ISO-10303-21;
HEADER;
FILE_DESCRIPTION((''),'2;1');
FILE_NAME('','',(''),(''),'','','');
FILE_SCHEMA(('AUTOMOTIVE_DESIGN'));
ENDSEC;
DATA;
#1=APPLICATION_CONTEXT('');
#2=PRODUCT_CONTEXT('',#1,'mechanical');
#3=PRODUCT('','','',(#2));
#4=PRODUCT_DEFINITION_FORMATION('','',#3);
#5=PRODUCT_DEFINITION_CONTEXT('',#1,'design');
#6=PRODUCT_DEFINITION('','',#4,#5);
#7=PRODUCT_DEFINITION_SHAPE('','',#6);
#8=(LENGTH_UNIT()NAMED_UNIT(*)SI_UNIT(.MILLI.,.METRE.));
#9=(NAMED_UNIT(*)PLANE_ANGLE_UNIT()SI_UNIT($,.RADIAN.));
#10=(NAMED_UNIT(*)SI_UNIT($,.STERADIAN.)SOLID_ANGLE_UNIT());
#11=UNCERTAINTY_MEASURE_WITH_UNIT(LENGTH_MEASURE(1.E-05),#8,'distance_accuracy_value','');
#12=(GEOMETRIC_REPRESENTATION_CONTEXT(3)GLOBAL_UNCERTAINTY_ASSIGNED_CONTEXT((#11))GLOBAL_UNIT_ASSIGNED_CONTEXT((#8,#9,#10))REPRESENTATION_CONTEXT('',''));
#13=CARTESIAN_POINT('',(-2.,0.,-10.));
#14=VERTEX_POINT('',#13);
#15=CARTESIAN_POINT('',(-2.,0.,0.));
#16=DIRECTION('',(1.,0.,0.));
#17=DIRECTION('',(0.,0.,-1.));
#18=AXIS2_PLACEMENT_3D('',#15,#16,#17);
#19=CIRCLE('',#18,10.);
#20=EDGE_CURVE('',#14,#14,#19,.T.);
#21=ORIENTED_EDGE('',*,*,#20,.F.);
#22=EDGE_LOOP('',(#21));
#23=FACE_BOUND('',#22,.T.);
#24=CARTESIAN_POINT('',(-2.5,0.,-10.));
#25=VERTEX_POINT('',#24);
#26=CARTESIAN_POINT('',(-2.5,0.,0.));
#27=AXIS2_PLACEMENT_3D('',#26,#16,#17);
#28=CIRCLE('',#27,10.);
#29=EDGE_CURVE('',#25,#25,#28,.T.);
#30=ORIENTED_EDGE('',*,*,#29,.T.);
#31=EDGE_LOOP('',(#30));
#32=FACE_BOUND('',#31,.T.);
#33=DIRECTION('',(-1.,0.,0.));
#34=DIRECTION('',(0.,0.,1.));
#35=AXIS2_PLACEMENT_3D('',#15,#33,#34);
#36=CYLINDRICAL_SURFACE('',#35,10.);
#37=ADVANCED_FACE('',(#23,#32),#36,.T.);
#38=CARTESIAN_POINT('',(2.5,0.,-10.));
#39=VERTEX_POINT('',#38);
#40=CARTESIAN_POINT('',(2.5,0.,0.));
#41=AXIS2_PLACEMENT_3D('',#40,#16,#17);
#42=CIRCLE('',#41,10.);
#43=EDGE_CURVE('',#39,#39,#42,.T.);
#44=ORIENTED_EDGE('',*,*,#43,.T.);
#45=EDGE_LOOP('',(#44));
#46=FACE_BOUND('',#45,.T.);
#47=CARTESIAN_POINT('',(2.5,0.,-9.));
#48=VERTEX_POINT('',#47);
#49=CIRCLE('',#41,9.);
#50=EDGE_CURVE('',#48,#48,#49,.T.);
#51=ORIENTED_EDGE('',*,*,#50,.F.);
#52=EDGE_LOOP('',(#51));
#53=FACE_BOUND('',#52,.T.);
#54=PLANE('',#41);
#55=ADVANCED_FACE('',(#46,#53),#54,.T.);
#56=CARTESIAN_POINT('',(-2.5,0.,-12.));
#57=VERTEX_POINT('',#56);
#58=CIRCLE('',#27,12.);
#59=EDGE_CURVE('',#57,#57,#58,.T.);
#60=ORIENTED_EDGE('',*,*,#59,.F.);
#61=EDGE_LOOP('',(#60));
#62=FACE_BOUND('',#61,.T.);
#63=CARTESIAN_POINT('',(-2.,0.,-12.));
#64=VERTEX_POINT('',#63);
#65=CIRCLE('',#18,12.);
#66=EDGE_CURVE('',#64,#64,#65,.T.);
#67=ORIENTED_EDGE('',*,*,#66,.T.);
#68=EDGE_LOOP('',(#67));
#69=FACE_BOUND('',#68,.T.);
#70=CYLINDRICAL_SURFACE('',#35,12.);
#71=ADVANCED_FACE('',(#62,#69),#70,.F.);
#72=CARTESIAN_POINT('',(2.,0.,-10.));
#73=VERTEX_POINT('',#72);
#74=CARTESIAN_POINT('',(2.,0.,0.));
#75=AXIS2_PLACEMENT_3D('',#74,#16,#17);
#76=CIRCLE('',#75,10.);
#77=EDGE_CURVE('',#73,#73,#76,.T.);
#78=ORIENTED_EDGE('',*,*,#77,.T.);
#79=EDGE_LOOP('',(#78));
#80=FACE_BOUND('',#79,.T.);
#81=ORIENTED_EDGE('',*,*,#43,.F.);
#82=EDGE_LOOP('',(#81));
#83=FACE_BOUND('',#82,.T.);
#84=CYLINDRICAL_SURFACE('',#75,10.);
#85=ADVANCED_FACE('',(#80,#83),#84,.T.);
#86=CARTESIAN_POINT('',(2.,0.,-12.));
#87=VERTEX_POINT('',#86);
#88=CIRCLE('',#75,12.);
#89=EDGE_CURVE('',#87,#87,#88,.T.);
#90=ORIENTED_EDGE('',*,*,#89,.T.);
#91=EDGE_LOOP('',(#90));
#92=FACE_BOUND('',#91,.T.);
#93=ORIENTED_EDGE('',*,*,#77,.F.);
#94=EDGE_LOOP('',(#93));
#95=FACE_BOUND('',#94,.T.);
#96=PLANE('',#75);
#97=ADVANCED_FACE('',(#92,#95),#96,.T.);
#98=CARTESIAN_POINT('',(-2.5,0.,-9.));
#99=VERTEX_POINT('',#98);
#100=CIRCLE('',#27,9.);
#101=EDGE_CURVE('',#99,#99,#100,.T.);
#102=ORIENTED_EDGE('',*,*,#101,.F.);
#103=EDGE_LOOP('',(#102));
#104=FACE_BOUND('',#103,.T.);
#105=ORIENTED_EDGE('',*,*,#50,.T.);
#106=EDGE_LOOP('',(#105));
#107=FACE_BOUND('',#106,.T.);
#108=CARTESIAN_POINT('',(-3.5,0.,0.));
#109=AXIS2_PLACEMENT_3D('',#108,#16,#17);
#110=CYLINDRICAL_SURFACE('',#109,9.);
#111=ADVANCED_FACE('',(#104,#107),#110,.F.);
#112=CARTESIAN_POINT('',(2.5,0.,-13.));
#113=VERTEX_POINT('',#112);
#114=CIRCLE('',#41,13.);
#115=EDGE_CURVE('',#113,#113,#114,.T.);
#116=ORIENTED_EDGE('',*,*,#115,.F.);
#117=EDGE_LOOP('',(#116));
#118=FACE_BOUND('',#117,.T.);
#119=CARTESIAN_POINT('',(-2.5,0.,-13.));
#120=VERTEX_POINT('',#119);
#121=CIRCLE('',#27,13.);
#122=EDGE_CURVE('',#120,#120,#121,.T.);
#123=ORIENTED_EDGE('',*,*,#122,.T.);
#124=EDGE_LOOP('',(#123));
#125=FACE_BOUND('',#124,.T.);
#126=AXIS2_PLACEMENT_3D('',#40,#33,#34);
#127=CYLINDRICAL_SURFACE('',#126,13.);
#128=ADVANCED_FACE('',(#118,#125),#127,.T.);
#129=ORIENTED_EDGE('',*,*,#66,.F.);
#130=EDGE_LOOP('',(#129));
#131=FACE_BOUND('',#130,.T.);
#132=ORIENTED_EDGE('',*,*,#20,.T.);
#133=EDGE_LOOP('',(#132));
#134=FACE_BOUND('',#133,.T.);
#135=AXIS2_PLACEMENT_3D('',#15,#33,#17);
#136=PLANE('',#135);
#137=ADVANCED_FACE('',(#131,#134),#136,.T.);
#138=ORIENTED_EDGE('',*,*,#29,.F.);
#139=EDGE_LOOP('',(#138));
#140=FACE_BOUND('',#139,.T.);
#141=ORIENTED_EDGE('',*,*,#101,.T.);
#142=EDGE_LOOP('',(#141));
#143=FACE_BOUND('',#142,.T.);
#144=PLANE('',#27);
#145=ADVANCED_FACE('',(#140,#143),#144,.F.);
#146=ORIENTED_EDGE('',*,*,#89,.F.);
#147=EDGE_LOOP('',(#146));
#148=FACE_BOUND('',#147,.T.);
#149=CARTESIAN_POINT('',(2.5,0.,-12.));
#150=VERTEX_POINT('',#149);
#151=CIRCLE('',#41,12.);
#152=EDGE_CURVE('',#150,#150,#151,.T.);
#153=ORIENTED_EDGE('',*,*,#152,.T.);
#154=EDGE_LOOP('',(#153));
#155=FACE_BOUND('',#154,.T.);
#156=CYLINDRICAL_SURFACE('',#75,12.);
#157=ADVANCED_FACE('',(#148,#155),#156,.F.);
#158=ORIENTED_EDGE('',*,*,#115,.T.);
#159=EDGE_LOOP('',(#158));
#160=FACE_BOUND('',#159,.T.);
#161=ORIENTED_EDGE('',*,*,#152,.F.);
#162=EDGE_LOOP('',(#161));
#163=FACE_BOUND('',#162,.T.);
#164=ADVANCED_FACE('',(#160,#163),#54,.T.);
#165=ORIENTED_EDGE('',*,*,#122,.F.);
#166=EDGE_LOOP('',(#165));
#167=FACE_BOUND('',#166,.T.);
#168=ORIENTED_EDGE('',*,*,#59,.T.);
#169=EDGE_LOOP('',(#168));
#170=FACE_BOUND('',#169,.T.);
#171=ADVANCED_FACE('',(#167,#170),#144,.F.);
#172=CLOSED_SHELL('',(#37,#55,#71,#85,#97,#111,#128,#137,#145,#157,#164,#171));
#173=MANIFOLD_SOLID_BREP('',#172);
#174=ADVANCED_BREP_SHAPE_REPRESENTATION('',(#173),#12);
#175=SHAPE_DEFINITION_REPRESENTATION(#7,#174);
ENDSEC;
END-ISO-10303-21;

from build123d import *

# Parameters (mm, degrees)
SKETCH2_R           = 13
BOSS_EXTRUDE1_DEPTH = 2.5
SKETCH3_R           = 9
CUT_EXTRUDE1_DEPTH  = 6
SKETCH4_R           = 12
SKETCH4_R_2         = 11
SKETCH4_R_3         = 10
CUT_EXTRUDE2_DEPTH  = 0.5


with BuildPart() as part:
    # Sketch2 → Boss-Extrude1 (new, symmetric)
    with BuildSketch(Plane(origin=(0, 0, 0), x_dir=(0, 0, -1), z_dir=(1, 0, 0))):
        Circle(SKETCH2_R)
    extrude(amount=BOSS_EXTRUDE1_DEPTH, both=True)

    # Sketch3 → Cut-Extrude1 (cut)
    with BuildSketch(Plane(origin=(2.5, 0, 0), x_dir=(0, 0, -1), z_dir=(1, 0, 0))):
        Circle(SKETCH3_R)
    extrude(amount=-CUT_EXTRUDE1_DEPTH, mode=Mode.SUBTRACT)

    # Sketch4 → Cut-Extrude2 (cut)
    with BuildSketch(Plane(origin=(2.5, 0, 0), x_dir=(0, 0, -1), z_dir=(1, 0, 0))):
        Circle(SKETCH4_R)
        Circle(SKETCH4_R_2, mode=Mode.SUBTRACT)
        Circle(SKETCH4_R_2)
        Circle(SKETCH4_R_3, mode=Mode.SUBTRACT)
    cut_extrude2 = extrude(amount=-CUT_EXTRUDE2_DEPTH, mode=Mode.SUBTRACT)

    # Mirror1: Cut-Extrude2 across plane
    add(cut_extrude2.mirror(Plane(origin=(0, 0, 0), x_dir=(0, 0, 1), z_dir=(1, 0, 0))), mode=Mode.SUBTRACT)


solid = part.part
